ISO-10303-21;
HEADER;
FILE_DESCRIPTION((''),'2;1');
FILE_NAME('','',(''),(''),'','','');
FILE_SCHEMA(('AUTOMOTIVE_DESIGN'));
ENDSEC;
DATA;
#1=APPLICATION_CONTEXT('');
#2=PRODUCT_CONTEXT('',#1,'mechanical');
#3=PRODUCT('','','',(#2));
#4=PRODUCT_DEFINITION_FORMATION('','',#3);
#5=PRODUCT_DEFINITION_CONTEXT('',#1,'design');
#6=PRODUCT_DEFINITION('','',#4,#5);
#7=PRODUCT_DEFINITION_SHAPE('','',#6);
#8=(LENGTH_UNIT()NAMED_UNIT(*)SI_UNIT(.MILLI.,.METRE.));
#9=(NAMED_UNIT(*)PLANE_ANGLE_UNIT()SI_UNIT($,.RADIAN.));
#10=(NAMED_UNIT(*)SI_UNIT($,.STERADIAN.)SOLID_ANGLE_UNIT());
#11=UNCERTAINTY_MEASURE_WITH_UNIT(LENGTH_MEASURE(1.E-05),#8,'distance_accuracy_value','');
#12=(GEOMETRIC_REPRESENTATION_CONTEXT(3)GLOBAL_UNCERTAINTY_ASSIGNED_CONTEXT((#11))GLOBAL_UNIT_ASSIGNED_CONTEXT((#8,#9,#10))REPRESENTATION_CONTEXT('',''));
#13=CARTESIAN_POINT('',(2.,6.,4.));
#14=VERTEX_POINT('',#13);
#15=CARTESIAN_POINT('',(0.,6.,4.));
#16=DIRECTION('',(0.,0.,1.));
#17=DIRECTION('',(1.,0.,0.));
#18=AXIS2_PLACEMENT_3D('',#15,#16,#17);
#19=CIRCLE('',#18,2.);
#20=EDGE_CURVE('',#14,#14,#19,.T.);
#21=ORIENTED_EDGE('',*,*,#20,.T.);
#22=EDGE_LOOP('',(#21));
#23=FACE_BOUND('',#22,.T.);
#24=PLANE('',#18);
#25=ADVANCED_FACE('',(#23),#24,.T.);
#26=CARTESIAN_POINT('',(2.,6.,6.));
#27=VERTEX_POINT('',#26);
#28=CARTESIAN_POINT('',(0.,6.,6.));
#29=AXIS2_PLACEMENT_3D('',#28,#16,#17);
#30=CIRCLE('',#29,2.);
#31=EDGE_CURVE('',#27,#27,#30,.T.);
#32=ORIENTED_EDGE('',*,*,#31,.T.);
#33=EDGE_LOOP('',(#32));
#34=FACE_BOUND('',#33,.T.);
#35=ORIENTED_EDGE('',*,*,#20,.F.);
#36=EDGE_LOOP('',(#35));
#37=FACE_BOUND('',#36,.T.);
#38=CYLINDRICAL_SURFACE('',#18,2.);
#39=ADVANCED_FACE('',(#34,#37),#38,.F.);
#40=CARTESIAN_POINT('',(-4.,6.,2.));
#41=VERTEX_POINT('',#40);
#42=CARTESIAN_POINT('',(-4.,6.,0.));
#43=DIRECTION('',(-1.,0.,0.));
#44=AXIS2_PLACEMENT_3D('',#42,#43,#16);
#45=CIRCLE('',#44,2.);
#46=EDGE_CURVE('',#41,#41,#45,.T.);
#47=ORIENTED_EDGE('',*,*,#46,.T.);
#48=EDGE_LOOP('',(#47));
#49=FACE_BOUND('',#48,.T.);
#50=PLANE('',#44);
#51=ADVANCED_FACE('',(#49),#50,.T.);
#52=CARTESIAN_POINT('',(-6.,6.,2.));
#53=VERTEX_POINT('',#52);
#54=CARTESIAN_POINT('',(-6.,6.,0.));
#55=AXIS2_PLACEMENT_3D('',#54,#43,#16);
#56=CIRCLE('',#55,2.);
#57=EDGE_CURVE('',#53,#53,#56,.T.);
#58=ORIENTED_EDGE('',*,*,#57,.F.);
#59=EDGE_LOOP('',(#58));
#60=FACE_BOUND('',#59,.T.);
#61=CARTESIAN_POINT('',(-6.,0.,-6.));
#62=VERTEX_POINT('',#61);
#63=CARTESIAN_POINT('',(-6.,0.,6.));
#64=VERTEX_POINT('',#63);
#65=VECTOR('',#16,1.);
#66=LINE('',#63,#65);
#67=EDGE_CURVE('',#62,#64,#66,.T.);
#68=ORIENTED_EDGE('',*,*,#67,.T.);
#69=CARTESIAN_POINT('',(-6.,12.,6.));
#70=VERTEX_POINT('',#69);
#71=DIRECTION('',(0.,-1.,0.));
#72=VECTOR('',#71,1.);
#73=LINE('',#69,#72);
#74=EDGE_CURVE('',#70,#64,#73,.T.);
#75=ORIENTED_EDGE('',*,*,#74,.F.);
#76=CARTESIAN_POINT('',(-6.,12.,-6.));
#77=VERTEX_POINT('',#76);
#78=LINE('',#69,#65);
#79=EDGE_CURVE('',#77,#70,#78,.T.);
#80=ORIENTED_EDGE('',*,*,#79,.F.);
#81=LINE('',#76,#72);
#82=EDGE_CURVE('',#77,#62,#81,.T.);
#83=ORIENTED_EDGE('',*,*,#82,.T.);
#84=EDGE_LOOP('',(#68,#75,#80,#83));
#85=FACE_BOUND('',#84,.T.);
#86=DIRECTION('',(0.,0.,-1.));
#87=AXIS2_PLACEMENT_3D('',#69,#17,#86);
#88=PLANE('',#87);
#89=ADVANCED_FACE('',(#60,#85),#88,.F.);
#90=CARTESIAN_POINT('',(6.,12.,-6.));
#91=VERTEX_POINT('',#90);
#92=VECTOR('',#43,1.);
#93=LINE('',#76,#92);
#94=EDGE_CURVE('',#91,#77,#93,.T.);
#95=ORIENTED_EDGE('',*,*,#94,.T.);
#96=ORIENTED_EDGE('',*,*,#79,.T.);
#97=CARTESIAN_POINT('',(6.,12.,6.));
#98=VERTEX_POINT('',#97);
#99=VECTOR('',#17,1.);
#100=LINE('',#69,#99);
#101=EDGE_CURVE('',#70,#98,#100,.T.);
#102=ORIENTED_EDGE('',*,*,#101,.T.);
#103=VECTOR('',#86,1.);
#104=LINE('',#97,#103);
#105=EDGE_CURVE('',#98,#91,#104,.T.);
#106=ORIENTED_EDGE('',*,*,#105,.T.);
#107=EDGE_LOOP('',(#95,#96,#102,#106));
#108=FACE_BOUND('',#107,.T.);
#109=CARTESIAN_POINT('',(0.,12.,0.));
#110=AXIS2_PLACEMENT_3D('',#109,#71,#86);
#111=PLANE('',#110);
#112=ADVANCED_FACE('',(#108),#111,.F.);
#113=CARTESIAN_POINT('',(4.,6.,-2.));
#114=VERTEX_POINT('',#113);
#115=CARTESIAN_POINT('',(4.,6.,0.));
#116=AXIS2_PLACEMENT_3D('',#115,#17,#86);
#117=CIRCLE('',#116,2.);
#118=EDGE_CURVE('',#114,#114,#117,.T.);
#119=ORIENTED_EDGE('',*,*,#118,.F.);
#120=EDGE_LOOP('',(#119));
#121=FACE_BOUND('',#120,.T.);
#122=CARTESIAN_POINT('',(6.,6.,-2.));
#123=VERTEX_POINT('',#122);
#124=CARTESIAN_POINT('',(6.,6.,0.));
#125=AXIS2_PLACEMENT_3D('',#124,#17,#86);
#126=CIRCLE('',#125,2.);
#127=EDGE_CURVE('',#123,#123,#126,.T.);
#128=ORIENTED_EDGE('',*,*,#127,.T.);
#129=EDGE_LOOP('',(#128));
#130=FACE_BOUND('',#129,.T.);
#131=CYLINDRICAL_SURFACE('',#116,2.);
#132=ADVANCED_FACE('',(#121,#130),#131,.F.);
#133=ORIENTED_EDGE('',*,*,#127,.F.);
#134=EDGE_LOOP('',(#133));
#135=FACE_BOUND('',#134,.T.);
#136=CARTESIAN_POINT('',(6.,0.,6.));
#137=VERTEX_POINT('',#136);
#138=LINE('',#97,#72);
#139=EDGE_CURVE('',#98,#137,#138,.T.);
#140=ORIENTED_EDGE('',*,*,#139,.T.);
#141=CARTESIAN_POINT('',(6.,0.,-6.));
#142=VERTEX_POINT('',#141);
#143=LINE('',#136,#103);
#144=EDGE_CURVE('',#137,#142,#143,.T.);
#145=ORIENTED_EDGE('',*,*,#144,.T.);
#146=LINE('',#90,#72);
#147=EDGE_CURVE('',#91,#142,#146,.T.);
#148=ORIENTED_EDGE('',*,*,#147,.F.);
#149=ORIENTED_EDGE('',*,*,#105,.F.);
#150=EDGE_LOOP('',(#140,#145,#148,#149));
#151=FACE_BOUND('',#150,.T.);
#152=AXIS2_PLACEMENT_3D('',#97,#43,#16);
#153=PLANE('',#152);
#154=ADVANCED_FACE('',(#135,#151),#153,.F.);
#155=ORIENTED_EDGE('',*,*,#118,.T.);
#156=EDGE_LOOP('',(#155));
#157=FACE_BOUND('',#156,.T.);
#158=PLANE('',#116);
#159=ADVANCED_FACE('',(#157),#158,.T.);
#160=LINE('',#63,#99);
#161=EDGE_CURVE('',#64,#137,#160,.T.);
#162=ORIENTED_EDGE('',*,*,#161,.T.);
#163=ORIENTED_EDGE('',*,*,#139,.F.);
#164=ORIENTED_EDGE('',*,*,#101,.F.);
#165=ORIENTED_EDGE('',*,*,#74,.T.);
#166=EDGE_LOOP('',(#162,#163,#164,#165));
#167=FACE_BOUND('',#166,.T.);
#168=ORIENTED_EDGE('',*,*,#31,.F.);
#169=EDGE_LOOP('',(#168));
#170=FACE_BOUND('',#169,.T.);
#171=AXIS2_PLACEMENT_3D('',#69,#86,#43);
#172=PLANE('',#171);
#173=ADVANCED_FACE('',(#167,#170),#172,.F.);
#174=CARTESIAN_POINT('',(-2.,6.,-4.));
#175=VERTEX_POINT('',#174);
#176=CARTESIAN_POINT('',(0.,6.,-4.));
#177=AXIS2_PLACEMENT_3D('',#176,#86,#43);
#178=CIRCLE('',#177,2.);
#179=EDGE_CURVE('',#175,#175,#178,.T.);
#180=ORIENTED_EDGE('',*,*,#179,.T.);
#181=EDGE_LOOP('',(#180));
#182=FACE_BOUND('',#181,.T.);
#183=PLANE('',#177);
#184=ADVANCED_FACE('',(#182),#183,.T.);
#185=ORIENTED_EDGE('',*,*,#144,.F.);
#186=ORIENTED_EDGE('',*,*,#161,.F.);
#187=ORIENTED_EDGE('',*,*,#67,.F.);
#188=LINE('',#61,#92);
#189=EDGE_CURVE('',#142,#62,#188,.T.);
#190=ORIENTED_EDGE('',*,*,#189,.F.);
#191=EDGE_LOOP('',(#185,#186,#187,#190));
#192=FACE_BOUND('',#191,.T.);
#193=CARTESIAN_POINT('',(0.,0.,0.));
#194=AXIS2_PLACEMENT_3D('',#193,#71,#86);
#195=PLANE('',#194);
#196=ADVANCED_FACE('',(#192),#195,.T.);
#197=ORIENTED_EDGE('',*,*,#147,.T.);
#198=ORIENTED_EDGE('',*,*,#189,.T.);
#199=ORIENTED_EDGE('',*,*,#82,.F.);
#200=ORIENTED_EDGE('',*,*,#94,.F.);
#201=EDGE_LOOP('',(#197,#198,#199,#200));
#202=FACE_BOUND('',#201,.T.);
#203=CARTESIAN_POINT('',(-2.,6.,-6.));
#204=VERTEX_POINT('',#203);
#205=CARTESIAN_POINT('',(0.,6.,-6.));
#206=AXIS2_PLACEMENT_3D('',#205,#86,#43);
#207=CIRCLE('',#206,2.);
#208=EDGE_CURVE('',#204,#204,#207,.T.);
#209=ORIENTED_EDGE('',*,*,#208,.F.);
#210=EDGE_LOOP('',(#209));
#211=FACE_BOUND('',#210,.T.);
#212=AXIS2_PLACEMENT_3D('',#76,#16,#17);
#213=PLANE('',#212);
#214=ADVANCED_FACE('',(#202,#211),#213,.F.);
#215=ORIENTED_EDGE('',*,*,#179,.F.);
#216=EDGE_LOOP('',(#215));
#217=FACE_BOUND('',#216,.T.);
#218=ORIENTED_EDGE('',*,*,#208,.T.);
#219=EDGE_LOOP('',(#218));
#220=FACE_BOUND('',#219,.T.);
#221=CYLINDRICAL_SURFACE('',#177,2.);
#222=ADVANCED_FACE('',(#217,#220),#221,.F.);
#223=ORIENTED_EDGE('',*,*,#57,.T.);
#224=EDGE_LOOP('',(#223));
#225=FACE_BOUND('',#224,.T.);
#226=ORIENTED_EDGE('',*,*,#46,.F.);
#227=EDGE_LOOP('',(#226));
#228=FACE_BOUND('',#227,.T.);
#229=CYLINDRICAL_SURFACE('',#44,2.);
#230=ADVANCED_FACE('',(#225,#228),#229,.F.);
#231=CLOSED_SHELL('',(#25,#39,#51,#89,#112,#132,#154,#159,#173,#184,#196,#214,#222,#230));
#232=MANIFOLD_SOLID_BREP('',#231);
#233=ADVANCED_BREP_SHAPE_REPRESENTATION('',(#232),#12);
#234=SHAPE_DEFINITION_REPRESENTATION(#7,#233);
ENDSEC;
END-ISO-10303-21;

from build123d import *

# Parameters (mm, degrees)
SKETCH_1_W               = 12
SKETCH_1_H               = 12
EXTRUDE_1_DEPTH          = 12
SKETCH_2_R               = 2
CUT_EXTRUDE_1_DEPTH      = 2
PATTERN_CIRCULAR_1_COUNT = 4


with BuildPart() as part:
    # 草圖1 → 填料-伸長1 (new body)
    with BuildSketch(Plane(origin=(0, 0, 0), x_dir=(1, 0, 0), z_dir=(0, 1, 0))):
        Rectangle(SKETCH_1_W, SKETCH_1_H)
    extrude(amount=EXTRUDE_1_DEPTH)

    # 草圖2 → 除料-伸長1 (cut)
    with BuildSketch(Plane.XY.offset(6)):
        with Locations((0, 6)):
            Circle(SKETCH_2_R)
    cut_extrude_1 = extrude(amount=-CUT_EXTRUDE_1_DEPTH, mode=Mode.SUBTRACT)

    # 環狀複製排列1: 除料-伸長1 ×4 about axis
    pattern_circular_1_axis = Axis((0, 12.6, 0), (0, -1, 0))
    for i in range(1, PATTERN_CIRCULAR_1_COUNT):
        add(cut_extrude_1.rotate(pattern_circular_1_axis, i * 360 / PATTERN_CIRCULAR_1_COUNT), mode=Mode.SUBTRACT)


solid = part.part
